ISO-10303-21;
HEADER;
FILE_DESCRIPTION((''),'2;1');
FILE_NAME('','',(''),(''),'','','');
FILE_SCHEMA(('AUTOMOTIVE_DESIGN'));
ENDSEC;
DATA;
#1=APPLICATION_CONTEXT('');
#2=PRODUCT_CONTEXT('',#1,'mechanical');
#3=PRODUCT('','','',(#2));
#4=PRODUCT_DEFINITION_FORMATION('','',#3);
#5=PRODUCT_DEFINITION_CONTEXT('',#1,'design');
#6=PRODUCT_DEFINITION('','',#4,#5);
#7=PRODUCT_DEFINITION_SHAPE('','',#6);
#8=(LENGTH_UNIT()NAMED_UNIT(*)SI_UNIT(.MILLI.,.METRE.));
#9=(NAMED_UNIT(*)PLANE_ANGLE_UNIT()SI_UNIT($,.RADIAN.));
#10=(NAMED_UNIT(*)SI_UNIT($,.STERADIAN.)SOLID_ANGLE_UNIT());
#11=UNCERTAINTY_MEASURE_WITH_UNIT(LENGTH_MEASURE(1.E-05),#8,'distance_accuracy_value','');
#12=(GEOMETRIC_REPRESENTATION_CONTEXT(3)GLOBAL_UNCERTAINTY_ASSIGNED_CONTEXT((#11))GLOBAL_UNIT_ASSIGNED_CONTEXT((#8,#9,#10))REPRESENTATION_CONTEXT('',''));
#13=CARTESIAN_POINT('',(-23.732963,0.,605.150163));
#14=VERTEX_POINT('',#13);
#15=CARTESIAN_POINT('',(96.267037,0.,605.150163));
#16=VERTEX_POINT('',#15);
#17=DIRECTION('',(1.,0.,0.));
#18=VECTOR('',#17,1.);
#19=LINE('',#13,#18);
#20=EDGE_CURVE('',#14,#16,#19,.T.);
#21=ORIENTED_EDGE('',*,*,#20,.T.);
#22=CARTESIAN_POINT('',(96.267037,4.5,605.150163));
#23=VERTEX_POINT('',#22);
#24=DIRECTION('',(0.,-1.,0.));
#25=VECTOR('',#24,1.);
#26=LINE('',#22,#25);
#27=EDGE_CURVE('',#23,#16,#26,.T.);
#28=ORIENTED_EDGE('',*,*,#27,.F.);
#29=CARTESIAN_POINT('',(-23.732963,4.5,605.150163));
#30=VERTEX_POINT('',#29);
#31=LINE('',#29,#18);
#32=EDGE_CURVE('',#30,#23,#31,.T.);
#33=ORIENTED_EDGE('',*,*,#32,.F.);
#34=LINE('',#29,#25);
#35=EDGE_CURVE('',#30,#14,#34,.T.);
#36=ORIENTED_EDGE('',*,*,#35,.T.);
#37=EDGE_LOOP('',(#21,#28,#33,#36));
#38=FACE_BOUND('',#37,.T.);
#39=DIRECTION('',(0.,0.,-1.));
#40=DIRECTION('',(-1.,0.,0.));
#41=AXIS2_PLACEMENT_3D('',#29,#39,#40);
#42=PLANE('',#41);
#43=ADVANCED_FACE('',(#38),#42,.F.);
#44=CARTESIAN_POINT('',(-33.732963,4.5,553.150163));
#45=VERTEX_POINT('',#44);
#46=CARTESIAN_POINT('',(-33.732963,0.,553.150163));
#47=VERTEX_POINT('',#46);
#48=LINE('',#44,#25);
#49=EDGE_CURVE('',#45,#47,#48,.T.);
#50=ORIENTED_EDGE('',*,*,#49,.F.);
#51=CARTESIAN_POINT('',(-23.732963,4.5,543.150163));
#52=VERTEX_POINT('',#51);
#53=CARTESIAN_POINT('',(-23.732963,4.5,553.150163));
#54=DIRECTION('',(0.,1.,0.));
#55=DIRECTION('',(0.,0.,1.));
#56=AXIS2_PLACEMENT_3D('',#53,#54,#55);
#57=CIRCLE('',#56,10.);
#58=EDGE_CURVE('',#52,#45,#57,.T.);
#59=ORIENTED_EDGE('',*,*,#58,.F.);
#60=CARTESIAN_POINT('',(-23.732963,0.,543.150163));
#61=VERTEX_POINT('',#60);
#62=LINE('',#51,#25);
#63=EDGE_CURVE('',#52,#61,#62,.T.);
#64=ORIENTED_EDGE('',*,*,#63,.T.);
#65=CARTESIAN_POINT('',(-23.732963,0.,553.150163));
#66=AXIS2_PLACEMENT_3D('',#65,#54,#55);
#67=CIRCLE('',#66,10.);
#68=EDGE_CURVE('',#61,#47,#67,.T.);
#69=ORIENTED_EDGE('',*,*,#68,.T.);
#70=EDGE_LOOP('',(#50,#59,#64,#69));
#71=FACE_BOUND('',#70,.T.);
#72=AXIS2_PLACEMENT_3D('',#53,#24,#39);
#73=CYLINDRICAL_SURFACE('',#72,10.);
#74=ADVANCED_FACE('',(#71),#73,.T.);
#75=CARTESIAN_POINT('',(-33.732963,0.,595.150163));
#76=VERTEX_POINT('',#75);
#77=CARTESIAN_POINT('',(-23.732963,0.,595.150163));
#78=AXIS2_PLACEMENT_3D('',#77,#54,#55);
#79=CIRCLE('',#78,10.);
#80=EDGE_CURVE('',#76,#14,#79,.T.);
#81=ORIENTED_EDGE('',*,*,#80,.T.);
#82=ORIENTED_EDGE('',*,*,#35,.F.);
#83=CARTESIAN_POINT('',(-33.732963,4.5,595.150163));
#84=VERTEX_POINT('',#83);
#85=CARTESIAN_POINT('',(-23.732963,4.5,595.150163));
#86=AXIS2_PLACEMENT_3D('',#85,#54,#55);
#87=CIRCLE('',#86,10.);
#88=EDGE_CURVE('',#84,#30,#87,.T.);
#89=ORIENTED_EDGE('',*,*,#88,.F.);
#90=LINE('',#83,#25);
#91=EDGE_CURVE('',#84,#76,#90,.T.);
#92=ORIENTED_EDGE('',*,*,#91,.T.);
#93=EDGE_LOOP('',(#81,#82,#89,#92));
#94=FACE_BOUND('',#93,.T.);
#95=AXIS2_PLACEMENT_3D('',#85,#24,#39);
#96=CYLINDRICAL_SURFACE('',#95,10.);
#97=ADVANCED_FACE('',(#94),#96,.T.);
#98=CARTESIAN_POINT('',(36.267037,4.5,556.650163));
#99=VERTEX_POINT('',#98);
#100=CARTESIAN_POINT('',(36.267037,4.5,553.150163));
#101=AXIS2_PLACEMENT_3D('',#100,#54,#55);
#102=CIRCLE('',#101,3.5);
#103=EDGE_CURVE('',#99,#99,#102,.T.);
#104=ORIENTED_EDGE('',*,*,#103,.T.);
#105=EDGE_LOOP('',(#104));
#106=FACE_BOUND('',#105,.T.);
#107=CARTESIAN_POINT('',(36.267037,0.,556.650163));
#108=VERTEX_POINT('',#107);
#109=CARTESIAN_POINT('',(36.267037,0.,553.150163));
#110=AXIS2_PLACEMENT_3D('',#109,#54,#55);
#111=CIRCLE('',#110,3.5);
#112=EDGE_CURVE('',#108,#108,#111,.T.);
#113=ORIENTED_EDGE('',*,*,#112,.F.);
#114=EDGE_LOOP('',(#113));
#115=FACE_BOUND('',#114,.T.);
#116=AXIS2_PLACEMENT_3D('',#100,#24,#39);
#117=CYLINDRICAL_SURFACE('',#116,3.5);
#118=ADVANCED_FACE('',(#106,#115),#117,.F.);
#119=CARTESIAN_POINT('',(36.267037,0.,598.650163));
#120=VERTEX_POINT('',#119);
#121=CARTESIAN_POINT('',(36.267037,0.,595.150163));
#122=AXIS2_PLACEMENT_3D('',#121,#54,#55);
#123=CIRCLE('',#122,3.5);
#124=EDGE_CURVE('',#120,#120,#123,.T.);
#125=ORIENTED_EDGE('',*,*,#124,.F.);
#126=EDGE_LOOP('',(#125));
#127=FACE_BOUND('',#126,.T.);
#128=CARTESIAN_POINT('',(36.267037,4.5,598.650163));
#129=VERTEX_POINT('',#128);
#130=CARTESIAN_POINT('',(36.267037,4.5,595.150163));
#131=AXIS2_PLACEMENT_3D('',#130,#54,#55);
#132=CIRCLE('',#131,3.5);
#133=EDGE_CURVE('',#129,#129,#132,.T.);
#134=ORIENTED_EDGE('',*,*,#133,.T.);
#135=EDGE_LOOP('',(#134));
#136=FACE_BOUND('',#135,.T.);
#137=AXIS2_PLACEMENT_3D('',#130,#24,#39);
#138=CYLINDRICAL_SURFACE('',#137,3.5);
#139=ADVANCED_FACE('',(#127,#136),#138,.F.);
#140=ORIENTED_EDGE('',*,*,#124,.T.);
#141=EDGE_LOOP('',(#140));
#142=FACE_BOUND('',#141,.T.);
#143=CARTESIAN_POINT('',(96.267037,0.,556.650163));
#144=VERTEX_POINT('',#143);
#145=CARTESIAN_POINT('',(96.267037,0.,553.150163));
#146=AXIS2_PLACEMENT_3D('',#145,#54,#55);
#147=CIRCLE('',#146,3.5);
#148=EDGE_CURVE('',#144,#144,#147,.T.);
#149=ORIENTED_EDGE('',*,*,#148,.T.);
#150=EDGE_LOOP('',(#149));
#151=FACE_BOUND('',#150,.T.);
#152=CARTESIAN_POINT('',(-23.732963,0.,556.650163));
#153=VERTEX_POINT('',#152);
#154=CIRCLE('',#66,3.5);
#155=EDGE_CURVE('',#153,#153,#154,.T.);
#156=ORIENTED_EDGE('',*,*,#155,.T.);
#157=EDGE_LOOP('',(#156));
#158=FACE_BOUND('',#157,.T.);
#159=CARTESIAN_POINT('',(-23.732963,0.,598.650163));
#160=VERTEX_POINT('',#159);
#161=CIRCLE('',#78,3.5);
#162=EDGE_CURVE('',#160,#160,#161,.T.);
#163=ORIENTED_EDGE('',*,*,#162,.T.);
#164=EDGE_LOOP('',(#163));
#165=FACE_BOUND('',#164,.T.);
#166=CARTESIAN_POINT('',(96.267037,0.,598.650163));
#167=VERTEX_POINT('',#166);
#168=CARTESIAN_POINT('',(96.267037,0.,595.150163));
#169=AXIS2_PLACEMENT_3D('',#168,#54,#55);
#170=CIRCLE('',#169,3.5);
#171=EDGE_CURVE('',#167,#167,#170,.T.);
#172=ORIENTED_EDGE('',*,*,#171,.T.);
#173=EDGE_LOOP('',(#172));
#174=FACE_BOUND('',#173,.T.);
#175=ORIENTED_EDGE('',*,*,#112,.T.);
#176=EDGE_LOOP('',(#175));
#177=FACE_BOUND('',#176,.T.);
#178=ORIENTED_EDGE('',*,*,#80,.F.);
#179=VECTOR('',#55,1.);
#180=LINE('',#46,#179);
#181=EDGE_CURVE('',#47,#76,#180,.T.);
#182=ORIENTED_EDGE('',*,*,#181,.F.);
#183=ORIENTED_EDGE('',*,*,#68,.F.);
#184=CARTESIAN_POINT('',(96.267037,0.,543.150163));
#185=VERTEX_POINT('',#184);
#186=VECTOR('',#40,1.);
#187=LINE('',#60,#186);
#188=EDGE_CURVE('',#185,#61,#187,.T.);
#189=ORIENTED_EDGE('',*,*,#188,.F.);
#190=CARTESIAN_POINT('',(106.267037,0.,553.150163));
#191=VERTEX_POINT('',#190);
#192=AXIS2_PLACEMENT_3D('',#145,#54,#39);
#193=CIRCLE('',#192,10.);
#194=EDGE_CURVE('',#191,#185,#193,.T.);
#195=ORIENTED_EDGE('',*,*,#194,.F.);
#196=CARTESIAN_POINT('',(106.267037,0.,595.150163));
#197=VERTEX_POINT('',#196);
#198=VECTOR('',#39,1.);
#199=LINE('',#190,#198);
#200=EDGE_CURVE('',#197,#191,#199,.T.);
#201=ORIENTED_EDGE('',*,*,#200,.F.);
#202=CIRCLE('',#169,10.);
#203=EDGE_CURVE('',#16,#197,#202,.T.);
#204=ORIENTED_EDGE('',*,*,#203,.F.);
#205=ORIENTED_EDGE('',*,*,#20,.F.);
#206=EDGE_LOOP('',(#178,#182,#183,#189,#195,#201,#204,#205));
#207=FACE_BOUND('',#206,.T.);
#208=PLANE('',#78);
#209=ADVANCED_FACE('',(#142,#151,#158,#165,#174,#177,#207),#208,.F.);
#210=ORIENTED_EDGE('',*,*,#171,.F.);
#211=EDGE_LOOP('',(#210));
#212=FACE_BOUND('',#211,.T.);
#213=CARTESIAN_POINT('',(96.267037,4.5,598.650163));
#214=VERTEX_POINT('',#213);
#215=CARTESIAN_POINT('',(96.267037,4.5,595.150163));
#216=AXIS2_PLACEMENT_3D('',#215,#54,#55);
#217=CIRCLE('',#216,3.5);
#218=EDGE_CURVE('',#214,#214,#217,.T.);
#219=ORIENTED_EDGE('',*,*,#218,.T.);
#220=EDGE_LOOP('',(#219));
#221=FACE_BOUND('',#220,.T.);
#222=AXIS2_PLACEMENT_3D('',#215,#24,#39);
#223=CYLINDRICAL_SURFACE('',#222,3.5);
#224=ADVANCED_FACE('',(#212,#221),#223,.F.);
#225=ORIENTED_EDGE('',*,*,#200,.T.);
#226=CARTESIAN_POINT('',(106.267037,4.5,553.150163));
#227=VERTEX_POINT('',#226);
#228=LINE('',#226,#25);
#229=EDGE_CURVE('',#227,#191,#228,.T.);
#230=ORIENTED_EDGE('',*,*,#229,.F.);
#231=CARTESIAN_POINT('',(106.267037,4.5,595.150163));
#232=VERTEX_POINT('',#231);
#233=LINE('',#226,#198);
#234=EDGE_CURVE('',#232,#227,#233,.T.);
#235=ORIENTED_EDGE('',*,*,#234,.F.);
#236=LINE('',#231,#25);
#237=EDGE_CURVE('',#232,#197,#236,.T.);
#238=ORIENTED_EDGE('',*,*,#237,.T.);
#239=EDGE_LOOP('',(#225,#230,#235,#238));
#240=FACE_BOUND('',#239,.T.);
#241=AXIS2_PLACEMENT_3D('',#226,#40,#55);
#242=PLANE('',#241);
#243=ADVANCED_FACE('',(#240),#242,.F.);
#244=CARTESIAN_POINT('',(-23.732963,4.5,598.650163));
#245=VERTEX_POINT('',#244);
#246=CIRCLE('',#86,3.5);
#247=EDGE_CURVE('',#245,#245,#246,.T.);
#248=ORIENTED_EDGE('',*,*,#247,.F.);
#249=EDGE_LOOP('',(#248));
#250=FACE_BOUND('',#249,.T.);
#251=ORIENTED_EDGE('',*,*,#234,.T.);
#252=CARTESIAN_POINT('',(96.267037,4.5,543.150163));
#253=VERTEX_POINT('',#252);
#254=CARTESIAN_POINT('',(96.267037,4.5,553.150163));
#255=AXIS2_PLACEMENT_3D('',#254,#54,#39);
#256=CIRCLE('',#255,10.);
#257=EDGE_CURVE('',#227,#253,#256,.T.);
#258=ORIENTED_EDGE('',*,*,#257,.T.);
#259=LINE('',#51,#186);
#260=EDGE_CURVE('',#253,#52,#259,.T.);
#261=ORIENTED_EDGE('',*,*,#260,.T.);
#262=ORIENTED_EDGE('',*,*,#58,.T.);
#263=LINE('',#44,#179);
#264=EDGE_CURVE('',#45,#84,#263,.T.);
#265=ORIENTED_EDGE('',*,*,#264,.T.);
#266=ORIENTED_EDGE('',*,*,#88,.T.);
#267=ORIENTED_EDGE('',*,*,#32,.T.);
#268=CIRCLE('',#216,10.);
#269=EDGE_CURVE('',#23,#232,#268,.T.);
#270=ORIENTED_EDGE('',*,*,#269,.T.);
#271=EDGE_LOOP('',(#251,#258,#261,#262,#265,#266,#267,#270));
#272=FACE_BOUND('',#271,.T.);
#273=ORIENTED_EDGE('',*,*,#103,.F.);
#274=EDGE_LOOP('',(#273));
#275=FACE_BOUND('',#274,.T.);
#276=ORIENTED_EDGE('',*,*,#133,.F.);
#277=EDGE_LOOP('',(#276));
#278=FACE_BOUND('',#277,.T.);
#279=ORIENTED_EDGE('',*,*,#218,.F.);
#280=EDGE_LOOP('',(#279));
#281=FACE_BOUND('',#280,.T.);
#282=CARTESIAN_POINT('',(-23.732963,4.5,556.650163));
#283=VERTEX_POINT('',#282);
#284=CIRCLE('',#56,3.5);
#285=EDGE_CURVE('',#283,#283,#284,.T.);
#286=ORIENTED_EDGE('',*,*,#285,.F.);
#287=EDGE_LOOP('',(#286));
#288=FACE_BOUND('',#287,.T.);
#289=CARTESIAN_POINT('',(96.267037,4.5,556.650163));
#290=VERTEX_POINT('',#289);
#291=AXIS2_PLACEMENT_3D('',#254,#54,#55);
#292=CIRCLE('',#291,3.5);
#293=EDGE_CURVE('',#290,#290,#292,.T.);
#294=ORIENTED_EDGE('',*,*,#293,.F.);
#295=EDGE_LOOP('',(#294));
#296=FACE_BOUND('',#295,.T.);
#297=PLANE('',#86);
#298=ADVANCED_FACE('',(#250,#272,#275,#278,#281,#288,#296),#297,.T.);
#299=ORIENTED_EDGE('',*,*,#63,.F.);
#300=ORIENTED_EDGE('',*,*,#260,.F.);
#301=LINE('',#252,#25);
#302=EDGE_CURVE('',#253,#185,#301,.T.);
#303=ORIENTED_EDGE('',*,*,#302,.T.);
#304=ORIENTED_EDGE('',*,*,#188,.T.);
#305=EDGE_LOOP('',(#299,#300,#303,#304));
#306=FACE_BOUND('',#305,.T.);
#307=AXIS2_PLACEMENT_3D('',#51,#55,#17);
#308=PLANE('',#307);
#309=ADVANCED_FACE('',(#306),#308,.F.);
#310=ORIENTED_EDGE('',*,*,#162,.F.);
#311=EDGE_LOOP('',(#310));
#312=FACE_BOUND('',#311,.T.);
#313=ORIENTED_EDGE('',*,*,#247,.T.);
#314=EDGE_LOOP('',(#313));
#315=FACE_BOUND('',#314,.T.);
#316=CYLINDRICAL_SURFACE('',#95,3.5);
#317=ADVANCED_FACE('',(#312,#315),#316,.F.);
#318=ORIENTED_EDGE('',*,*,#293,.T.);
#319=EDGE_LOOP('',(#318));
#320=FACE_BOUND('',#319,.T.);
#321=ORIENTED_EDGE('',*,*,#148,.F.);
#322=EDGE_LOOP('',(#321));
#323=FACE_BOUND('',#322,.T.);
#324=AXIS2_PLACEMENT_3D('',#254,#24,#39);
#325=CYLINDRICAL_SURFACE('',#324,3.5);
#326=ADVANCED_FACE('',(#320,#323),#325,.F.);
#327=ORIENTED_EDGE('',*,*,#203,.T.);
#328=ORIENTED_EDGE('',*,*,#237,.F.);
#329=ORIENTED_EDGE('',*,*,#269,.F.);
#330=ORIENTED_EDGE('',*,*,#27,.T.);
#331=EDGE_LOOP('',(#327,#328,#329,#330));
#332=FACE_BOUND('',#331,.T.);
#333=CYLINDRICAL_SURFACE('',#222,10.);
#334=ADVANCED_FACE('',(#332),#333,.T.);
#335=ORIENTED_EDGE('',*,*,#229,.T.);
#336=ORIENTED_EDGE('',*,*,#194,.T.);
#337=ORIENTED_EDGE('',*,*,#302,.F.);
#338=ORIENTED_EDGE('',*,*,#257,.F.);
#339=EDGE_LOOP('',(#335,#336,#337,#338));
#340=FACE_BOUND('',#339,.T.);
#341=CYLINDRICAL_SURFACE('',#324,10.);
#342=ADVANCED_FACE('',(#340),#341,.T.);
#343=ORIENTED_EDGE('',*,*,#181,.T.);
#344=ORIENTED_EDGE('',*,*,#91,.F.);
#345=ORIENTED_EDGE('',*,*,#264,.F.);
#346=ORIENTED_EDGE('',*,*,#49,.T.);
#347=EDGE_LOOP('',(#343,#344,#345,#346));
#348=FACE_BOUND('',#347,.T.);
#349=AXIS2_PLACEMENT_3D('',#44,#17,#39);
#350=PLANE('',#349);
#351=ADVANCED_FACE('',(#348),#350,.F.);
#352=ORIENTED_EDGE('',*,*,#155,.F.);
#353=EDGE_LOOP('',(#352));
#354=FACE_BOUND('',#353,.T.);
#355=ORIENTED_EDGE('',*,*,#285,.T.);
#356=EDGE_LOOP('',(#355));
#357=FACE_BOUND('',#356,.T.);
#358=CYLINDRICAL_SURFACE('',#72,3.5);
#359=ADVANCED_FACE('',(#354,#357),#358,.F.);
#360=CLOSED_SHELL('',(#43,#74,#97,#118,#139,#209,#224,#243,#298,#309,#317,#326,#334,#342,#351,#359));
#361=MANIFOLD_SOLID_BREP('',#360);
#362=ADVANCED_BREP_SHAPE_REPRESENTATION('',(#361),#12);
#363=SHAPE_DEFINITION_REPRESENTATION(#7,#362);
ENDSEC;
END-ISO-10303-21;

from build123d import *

# Parameters (mm, degrees)
SKETCH1_R           = 3.5
BOSS_EXTRUDE1_DEPTH = 4.5


with BuildPart() as part:
    # Sketch1 → Boss-Extrude1 (new body)
    with BuildSketch(Plane(origin=(0, 0, 0), x_dir=(1, 0, 0), z_dir=(0, 1, 0))):
        with BuildLine():
            Line((-23.732963332, -543.150162881), (96.267036668, -543.150162881))
            ThreePointArc((96.267036668, -543.150162881), (103.33810448, -546.079095069), (106.267036668, -553.150162881))
            Line((106.267036668, -553.150162881), (106.267036668, -595.150162881))
            ThreePointArc((106.267036668, -595.150162881), (103.33810448, -602.221230693), (96.267036668, -605.150162881))
            Line((96.267036668, -605.150162881), (-23.732963332, -605.150162881))
            ThreePointArc((-23.732963332, -605.150162881), (-30.804031144, -602.221230693), (-33.732963332, -595.150162881))
            Line((-33.732963332, -595.150162881), (-33.732963332, -553.150162881))
            ThreePointArc((-33.732963332, -553.150162881), (-30.804031144, -546.079095069), (-23.732963332, -543.150162881))
        make_face()
        with Locations((36.267036668, -553.150162881)):
            Circle(SKETCH1_R, mode=Mode.SUBTRACT)
        with Locations((96.267036668, -553.150162881)):
            Circle(SKETCH1_R, mode=Mode.SUBTRACT)
        with Locations((-23.732963332, -553.150162881)):
            Circle(SKETCH1_R, mode=Mode.SUBTRACT)
        with Locations((-23.732963332, -595.150162881)):
            Circle(SKETCH1_R, mode=Mode.SUBTRACT)
        with Locations((96.267036668, -595.150162881)):
            Circle(SKETCH1_R, mode=Mode.SUBTRACT)
        with Locations((36.267036668, -595.150162881)):
            Circle(SKETCH1_R, mode=Mode.SUBTRACT)
    extrude(amount=BOSS_EXTRUDE1_DEPTH)


solid = part.part
